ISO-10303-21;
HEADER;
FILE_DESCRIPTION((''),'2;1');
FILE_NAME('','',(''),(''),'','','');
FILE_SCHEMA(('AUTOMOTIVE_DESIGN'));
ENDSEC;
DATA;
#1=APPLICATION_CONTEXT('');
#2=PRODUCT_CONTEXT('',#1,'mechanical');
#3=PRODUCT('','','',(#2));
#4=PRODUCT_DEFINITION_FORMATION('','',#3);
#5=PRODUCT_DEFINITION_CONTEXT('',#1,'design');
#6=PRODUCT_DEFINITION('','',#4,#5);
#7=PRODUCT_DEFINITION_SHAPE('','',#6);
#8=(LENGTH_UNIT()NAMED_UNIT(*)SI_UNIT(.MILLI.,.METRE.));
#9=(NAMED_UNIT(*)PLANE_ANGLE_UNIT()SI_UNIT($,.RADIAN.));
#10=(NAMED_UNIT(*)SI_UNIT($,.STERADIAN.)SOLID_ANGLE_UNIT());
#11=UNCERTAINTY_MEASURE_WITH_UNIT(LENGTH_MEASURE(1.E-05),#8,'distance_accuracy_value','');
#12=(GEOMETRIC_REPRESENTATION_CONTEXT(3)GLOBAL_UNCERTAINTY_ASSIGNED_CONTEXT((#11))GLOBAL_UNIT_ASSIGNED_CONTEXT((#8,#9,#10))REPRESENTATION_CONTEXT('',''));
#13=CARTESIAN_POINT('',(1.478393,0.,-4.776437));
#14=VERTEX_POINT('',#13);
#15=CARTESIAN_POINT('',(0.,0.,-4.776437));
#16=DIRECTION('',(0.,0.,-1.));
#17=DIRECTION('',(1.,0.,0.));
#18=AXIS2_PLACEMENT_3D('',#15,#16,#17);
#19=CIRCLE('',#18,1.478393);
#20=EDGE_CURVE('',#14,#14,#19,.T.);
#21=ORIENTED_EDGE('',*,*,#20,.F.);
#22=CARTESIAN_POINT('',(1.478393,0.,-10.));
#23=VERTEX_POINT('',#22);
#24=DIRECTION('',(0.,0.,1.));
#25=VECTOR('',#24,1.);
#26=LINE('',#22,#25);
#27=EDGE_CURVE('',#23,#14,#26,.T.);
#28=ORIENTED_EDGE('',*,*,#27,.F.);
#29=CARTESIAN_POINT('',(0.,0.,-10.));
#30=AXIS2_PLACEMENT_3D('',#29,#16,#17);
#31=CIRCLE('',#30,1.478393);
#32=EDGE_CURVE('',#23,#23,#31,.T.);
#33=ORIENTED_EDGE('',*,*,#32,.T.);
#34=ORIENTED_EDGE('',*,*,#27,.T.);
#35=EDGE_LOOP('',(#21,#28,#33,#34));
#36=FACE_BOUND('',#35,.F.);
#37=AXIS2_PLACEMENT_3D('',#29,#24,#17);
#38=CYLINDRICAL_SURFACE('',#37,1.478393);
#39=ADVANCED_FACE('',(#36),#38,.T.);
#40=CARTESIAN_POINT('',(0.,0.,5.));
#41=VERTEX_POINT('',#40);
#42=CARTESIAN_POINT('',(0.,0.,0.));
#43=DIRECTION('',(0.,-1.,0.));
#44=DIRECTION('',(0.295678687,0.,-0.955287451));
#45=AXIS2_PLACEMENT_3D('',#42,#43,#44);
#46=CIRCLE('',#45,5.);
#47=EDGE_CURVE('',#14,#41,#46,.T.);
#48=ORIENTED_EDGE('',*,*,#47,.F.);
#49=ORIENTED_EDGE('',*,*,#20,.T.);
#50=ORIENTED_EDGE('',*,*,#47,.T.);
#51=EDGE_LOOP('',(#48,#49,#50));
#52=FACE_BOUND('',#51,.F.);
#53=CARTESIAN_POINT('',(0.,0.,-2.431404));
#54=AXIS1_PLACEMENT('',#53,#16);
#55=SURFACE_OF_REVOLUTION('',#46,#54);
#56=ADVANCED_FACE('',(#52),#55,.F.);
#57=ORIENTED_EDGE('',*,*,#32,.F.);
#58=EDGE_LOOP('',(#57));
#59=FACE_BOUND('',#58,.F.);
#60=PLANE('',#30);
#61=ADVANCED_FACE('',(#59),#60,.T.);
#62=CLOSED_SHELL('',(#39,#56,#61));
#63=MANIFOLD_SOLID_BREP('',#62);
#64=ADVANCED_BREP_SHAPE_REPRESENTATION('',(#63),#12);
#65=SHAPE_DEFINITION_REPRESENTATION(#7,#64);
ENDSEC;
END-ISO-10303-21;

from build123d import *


with BuildPart() as f1:
    # F0 (on Front) → F1 (revolve)
    with BuildSketch(Plane.XZ):
        with BuildLine():
            Line((1.478393, -10), (1.478393, -4.776437))
            ThreePointArc((1.478393, -4.776437), (4.943793, 0.7476), (0, 5))
            Line((0, 5), (0, -10))
            Line((0, -10), (1.478393, -10))
        make_face()
    revolve(axis=Axis((0, 0, -2.431404), (0, 0, -1)))


solid = f1.part
